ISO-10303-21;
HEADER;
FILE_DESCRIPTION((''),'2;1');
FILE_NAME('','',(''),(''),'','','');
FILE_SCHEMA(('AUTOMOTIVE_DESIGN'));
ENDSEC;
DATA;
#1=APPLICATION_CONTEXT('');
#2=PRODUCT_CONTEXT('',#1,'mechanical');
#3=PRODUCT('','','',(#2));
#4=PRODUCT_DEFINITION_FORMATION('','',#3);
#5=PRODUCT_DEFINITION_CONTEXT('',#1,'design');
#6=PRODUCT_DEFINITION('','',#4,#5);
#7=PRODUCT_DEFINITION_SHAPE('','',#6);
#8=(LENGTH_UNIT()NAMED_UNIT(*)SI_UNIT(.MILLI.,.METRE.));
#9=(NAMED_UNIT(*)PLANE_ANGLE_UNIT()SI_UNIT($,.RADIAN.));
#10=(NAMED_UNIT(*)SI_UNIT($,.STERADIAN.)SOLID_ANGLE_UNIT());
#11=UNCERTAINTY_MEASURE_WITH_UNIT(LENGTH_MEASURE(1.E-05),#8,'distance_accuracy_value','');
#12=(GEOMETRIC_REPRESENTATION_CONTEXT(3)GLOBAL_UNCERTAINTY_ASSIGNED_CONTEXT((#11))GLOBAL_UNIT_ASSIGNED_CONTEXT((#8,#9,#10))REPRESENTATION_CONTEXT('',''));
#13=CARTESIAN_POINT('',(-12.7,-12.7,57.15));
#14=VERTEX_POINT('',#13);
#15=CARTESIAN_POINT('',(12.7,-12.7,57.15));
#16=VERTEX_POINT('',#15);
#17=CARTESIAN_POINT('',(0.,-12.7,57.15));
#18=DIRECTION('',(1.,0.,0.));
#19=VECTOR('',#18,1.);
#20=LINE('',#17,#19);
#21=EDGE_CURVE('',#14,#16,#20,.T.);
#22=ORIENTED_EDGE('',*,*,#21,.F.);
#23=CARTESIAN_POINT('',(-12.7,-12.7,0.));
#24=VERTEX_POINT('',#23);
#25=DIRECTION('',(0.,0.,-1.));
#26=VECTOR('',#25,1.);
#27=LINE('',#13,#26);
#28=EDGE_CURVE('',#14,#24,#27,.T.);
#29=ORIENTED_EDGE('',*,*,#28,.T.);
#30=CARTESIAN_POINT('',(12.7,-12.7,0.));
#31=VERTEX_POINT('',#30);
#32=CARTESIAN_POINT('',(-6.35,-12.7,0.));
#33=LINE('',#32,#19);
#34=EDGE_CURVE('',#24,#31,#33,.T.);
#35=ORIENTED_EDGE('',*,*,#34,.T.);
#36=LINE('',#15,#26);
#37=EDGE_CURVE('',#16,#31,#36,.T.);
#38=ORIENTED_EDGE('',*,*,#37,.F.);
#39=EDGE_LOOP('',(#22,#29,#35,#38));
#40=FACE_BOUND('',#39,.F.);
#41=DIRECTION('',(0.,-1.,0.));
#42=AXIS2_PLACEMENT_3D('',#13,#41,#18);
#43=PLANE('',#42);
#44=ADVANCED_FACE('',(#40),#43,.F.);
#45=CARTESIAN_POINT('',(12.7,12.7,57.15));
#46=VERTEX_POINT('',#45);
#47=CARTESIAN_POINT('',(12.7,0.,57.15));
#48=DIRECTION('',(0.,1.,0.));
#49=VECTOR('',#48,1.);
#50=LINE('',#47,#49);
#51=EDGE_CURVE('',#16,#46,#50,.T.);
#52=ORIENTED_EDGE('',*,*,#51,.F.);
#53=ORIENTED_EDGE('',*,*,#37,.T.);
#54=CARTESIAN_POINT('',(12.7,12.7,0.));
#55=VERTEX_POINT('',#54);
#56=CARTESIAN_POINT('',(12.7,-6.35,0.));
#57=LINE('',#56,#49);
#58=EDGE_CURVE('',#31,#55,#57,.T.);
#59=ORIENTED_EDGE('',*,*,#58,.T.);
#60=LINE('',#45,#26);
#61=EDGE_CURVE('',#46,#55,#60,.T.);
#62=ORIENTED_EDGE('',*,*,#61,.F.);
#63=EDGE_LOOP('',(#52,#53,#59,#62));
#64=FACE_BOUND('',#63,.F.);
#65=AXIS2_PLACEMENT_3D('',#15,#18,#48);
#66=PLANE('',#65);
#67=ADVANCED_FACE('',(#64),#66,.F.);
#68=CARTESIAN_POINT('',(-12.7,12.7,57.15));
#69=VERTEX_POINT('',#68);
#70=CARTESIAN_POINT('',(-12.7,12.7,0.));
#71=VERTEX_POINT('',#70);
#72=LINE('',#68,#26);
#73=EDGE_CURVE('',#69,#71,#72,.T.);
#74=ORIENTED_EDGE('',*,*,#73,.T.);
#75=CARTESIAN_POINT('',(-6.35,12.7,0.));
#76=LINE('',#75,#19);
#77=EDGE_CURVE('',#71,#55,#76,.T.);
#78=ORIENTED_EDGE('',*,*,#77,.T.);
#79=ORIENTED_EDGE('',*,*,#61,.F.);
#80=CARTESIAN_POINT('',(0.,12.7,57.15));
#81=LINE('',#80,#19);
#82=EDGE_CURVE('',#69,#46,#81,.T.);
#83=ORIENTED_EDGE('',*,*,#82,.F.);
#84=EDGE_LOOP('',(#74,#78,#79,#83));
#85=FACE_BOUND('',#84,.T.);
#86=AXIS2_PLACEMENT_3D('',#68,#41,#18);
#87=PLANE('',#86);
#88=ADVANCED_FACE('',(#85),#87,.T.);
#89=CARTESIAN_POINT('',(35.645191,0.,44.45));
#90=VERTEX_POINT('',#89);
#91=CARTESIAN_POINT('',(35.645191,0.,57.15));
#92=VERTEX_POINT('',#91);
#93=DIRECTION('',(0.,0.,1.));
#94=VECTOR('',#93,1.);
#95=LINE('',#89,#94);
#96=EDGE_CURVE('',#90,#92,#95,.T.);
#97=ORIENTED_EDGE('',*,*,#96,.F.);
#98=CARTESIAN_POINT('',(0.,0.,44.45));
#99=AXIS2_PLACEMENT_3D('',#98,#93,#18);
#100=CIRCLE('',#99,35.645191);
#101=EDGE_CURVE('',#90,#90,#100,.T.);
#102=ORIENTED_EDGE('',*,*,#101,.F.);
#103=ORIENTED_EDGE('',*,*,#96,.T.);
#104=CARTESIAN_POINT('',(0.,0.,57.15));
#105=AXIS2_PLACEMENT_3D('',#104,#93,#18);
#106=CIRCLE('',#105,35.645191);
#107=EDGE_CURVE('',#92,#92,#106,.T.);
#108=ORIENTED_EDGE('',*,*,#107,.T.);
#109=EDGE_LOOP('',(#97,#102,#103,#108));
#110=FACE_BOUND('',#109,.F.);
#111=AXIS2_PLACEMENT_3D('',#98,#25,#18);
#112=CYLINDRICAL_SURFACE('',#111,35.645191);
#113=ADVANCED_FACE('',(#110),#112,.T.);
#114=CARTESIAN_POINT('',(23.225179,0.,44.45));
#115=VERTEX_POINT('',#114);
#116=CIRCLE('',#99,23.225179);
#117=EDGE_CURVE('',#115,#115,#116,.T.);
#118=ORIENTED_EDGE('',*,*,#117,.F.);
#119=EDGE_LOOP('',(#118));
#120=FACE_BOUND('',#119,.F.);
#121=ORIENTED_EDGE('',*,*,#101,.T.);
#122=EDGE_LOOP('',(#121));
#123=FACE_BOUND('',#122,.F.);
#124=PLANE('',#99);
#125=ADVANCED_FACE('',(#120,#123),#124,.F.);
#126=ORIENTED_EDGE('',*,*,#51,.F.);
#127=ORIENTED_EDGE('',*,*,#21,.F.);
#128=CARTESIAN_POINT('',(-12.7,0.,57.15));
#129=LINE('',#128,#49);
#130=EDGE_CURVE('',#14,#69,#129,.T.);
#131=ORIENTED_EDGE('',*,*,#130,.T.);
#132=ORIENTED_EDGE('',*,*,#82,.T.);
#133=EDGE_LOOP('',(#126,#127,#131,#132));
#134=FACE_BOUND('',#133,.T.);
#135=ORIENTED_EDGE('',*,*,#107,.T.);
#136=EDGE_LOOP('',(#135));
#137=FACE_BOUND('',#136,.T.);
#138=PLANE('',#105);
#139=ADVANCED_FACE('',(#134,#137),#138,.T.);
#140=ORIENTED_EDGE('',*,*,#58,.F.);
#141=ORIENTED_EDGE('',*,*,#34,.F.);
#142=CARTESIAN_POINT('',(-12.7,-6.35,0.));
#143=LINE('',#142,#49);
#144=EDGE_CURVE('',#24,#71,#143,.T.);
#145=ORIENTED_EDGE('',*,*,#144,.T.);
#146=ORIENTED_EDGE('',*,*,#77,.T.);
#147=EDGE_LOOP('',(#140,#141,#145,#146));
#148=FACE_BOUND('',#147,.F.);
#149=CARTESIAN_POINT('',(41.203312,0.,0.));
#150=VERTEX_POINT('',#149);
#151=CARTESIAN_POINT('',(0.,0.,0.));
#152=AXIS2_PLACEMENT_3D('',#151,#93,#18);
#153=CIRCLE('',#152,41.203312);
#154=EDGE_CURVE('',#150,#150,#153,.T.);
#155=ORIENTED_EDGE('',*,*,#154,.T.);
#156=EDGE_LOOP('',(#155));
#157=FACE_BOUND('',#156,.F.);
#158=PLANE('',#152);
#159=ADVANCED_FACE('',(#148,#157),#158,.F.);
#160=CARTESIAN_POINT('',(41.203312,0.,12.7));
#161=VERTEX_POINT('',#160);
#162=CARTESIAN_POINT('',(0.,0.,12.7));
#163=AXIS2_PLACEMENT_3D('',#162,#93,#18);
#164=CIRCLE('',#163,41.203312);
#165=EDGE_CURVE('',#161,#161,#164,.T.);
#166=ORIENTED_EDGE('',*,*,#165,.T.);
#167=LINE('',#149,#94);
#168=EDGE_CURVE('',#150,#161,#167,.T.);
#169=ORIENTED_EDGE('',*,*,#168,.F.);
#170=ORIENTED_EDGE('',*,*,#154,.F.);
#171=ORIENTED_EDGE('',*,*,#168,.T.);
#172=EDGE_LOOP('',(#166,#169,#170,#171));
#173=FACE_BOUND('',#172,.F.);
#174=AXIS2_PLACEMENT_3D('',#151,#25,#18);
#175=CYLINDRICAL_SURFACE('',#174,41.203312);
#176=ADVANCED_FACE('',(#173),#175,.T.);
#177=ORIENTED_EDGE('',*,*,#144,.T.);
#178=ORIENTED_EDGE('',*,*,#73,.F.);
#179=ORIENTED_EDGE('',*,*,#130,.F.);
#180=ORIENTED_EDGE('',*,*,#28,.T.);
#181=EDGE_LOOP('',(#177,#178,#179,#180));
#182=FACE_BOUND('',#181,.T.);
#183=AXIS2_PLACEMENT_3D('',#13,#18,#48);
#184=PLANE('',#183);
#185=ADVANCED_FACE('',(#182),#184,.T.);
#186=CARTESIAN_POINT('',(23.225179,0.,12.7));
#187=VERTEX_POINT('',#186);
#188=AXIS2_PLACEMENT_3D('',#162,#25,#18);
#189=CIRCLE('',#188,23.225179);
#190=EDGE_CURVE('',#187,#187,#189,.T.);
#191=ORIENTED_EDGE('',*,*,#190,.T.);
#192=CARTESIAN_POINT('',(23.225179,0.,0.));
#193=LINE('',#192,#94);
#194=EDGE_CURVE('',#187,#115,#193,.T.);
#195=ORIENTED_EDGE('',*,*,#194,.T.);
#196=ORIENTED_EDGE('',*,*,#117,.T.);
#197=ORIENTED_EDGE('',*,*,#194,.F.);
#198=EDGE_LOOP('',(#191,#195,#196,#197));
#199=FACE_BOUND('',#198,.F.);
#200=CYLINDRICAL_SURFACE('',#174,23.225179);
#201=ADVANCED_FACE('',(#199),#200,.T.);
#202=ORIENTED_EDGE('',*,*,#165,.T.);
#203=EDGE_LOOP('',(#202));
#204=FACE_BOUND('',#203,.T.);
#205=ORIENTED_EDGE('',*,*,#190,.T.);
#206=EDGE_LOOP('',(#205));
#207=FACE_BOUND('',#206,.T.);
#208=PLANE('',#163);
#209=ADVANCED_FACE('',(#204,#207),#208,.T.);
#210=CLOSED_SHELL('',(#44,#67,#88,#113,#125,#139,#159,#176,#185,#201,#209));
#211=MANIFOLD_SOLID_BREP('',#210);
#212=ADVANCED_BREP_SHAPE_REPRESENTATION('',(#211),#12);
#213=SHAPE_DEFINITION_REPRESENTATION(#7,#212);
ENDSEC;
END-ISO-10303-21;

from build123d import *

# Parameters (mm, degrees)
F0_R     = 41.203312
F1_DEPTH = 12.7
F2_R     = 23.225179
F3_DEPTH = 44.45
F4_R     = 35.645191
F5_DEPTH = 12.7
F6_W     = 25.4
F6_H     = 25.4
F7_DEPTH = 57.151


with BuildPart() as f1:
    # F0 (on Top) → F1 (new body)
    with BuildSketch(Plane.XY):
        Circle(F0_R)
    extrude(amount=F1_DEPTH)

    # F2 (on Top) → F3 (join)
    with BuildSketch(Plane.XY):
        Circle(F2_R)
    extrude(amount=F3_DEPTH)

    # F4 (on face) → F5 (join)
    with BuildSketch(Plane.XY.offset(44.45)):
        Circle(F4_R)
    extrude(amount=F5_DEPTH)

    # F6 (on face) → F7 (cut, through all)
    with BuildSketch(Plane.XY.offset(57.15)):
        Rectangle(F6_W, F6_H)
    extrude(amount=-F7_DEPTH, mode=Mode.SUBTRACT)


solid = f1.part
